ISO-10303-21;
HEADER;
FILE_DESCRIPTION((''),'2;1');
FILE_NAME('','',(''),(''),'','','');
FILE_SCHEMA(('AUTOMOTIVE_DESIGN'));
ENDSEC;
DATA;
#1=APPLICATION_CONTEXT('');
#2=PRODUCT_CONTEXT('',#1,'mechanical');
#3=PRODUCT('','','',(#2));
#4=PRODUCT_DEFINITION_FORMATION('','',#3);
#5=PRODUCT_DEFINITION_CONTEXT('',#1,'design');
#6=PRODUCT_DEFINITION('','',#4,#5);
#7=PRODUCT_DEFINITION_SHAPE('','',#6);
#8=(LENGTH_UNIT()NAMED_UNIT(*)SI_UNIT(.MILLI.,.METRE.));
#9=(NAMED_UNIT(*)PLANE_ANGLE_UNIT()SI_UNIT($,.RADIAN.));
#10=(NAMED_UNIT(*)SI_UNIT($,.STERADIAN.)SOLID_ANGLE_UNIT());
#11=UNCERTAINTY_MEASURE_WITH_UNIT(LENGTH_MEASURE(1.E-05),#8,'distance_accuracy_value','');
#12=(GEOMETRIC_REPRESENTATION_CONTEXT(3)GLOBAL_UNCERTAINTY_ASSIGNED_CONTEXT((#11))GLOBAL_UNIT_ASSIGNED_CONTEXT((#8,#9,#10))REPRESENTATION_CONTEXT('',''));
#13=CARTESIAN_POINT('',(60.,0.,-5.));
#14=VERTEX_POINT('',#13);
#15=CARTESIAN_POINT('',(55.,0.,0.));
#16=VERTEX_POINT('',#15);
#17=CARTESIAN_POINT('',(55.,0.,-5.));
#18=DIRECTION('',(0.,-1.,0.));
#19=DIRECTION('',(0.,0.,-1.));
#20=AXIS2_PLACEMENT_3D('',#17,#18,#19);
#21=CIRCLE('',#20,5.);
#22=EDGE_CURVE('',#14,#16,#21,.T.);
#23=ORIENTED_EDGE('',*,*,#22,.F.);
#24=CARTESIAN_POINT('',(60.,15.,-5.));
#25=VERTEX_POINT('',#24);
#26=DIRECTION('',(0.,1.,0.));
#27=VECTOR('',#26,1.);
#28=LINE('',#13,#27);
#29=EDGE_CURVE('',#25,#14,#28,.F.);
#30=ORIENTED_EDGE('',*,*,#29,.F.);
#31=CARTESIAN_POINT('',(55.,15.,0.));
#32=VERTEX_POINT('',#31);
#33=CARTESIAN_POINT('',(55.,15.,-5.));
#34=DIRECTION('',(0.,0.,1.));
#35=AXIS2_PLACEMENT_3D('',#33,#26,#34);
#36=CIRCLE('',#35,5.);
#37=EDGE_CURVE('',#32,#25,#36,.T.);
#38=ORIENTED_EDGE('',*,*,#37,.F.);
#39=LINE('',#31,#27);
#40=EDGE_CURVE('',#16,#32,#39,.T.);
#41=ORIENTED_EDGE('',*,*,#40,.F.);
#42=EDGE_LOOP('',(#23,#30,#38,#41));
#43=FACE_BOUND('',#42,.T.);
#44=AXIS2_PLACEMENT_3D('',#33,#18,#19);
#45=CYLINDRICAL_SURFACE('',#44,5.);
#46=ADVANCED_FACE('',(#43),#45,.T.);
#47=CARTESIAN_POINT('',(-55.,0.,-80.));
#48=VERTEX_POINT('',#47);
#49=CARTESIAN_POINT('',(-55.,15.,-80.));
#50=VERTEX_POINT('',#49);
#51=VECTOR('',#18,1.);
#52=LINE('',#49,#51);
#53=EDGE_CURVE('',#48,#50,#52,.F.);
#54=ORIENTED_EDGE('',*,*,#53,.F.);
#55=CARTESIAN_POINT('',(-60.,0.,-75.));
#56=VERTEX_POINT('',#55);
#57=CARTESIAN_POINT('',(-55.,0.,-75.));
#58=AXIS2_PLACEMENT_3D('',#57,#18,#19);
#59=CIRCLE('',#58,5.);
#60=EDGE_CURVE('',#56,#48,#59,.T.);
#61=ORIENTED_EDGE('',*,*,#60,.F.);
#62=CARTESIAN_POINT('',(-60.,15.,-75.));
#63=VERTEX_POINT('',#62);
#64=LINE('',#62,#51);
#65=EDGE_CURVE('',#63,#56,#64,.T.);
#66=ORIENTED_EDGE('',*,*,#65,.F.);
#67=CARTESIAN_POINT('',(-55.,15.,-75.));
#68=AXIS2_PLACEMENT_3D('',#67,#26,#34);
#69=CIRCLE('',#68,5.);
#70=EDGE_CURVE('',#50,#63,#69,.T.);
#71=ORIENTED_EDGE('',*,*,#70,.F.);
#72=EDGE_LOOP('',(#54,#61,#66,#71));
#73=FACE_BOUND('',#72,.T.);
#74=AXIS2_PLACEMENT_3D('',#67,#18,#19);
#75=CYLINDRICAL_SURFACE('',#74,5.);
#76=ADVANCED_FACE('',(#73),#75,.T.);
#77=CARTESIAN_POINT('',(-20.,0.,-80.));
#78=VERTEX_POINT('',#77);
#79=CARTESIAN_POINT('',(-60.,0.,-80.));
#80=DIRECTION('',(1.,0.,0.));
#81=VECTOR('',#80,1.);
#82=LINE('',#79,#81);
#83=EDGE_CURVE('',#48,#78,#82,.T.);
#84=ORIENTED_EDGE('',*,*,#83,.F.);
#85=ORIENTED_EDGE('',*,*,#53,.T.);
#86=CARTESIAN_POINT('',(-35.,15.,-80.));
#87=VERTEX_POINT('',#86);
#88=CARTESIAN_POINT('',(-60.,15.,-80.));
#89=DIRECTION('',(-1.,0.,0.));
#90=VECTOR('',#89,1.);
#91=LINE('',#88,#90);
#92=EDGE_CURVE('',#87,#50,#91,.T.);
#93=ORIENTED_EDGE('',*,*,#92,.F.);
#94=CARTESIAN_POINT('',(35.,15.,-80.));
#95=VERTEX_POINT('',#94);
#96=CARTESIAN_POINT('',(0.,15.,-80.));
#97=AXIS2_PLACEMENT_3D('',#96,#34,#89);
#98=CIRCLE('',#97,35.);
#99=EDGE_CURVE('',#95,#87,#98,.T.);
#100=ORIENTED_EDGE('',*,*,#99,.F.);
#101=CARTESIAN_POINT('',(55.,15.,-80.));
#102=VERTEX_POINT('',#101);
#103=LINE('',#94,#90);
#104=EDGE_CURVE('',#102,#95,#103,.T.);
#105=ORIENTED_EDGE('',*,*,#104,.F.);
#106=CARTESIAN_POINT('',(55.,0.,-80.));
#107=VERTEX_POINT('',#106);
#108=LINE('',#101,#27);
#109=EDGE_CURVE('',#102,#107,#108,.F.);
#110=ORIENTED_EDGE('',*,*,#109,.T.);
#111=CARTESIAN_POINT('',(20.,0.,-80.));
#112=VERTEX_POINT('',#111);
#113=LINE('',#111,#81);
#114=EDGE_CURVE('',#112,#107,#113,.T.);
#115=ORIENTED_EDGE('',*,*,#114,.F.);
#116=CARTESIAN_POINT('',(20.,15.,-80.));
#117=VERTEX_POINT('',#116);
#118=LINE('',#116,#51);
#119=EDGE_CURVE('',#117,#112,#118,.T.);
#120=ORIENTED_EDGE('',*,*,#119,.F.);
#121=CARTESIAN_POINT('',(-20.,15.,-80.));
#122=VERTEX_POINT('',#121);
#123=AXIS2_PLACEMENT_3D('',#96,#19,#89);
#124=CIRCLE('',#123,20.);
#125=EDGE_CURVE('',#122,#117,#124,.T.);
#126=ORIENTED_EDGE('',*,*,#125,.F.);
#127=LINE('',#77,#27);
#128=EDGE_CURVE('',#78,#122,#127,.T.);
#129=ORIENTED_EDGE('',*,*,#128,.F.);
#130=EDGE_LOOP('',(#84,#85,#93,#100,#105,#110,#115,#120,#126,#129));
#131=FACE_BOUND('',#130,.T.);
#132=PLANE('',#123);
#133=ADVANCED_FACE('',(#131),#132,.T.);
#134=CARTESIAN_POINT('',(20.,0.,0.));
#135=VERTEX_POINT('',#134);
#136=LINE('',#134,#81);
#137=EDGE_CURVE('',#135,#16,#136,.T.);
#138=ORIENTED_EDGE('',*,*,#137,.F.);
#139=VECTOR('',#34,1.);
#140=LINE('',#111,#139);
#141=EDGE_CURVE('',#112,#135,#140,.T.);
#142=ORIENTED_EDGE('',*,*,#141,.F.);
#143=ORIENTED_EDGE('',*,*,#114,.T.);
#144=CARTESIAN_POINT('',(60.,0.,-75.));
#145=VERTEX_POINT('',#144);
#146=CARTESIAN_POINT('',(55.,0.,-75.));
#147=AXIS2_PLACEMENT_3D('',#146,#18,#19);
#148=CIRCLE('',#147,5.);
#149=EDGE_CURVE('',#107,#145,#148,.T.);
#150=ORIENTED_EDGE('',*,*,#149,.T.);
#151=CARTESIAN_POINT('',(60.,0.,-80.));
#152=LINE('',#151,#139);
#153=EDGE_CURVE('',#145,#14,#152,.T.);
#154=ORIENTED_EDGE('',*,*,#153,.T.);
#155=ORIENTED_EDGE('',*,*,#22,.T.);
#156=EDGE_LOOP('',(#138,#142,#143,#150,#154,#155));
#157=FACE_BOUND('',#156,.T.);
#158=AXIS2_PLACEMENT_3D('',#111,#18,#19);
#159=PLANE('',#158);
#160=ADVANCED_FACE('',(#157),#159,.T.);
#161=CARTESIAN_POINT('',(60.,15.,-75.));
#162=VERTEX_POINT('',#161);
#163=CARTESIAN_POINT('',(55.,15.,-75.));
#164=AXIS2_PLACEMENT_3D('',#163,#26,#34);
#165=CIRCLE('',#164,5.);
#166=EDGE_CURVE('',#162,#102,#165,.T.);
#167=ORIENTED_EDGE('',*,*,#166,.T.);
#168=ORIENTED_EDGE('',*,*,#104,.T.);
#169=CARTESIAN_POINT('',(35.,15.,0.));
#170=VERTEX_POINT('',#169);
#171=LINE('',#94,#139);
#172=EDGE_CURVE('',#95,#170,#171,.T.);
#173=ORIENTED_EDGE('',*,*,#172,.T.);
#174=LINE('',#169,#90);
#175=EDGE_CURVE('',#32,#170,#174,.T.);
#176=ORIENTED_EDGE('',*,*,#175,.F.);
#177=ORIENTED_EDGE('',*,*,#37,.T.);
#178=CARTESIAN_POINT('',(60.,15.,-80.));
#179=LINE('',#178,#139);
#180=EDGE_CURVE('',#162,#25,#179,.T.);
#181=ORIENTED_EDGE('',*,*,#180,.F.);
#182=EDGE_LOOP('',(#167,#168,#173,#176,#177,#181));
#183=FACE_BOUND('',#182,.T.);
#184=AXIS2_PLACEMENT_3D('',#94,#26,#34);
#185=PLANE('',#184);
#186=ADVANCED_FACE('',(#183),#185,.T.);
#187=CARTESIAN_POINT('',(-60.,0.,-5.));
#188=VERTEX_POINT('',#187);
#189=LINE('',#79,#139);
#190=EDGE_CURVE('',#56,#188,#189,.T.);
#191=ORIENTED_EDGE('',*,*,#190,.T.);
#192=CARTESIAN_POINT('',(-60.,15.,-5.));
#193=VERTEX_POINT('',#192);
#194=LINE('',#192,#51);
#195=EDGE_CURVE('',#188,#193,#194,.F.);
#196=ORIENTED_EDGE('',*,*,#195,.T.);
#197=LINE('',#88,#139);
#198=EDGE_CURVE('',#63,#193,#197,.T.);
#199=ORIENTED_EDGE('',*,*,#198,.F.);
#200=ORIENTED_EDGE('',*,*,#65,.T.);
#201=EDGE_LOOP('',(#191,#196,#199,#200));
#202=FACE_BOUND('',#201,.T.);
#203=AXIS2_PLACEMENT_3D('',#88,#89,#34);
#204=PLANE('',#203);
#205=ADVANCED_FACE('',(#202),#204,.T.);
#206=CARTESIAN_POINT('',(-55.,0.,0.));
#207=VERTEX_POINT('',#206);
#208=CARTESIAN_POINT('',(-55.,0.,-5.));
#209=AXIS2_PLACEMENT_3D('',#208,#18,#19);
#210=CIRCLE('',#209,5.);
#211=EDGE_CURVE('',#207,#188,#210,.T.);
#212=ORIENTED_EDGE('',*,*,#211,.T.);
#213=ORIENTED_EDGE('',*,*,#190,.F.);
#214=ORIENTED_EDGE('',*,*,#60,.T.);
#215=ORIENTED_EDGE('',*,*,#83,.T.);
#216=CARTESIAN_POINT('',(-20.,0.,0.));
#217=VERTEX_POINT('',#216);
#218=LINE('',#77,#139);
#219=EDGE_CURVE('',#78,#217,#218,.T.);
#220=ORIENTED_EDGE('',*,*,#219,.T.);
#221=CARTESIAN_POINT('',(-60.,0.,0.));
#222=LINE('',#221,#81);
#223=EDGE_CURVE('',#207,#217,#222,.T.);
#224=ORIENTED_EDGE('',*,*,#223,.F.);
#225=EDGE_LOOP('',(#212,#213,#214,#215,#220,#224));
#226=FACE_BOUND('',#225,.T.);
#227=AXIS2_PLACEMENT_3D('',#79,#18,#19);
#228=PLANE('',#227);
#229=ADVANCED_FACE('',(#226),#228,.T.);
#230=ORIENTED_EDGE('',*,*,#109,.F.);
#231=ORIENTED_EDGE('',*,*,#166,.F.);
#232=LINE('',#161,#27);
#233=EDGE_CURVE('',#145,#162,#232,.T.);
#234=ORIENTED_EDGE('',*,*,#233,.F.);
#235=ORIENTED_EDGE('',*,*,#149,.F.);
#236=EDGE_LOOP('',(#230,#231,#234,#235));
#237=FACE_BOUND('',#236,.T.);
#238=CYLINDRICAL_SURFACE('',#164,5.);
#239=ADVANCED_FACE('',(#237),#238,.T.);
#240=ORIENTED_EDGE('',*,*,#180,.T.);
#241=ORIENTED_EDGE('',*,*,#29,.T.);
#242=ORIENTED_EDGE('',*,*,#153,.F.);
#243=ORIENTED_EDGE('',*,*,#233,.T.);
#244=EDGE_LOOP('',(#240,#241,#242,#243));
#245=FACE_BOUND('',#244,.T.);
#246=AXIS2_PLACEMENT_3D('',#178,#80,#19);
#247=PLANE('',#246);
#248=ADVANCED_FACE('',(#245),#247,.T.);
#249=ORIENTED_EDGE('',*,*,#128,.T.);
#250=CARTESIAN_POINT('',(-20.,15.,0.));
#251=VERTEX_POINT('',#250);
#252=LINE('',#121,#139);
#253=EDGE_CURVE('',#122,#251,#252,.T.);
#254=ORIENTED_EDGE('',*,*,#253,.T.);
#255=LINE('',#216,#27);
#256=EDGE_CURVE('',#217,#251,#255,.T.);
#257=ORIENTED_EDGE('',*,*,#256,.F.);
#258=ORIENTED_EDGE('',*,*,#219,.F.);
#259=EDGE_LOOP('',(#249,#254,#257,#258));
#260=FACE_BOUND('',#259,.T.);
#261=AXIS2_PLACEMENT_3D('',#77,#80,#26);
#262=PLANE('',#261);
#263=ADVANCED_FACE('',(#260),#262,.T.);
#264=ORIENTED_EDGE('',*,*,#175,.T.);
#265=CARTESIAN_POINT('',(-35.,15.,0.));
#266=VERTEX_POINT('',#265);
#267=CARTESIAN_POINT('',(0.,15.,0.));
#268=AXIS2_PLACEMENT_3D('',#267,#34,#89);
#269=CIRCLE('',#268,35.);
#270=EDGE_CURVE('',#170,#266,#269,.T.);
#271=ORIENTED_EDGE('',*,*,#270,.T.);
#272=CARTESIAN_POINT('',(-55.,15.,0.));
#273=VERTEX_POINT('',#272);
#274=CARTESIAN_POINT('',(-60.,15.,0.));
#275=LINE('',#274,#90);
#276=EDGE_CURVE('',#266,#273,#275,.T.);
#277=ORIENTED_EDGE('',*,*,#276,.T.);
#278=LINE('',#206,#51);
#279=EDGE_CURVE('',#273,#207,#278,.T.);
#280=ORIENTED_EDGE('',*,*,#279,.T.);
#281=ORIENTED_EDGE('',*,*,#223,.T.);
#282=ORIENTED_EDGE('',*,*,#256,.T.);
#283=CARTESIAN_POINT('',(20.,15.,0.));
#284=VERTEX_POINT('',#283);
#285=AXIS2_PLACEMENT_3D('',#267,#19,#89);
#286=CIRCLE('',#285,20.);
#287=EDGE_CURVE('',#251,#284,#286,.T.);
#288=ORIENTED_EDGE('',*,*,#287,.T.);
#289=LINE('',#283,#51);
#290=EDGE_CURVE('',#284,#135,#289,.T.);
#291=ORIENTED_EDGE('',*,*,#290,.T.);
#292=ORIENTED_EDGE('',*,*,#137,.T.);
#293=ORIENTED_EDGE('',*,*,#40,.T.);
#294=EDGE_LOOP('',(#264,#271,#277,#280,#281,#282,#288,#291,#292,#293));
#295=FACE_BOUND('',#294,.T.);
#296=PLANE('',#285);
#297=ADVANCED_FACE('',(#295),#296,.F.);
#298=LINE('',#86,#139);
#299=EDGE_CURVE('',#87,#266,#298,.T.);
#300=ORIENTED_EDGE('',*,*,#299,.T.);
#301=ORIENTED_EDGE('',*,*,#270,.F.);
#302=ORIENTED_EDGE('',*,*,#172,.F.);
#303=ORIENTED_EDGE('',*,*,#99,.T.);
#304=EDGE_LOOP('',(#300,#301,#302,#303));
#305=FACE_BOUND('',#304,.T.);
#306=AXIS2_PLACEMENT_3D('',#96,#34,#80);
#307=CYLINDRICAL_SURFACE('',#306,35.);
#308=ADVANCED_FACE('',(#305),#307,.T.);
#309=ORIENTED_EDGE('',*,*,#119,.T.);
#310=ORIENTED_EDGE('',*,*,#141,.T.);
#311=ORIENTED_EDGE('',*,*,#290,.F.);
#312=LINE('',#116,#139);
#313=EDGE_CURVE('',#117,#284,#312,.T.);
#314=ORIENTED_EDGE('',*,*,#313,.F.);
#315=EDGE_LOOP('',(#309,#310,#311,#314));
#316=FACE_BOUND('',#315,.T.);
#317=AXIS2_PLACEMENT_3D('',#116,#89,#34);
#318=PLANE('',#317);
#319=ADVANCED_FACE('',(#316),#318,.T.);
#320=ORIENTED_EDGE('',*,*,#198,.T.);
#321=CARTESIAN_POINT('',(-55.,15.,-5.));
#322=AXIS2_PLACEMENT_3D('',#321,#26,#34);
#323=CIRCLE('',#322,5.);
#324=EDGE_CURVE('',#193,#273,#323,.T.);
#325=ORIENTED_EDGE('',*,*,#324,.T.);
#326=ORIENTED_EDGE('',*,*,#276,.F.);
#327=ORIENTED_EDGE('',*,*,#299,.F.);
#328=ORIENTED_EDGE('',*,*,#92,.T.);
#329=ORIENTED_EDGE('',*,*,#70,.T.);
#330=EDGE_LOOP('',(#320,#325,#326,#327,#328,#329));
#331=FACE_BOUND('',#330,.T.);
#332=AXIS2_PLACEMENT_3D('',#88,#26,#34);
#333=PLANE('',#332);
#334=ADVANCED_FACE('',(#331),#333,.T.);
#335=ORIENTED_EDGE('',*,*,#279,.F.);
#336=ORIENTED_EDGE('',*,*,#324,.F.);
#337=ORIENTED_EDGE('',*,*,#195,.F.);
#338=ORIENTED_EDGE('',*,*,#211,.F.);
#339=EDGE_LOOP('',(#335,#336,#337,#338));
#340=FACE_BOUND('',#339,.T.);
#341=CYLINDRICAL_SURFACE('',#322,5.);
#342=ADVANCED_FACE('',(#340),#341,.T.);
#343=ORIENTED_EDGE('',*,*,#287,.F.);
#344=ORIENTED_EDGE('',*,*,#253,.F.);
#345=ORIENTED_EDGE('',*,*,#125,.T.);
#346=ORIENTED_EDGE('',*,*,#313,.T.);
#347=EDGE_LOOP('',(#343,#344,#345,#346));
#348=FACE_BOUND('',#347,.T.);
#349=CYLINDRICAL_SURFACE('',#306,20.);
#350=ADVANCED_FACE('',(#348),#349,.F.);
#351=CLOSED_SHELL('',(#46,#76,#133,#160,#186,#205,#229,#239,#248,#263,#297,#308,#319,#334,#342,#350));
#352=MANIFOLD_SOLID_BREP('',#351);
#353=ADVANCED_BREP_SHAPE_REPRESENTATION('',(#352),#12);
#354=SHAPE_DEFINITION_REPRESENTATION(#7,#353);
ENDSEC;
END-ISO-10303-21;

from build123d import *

# Parameters (mm, degrees)
EXTRUDE_1_DEPTH = 80
FILLET_1_R      = 5


with BuildPart() as part:
    # Эскиз1 → Бобышка-Вытянуть1 (new body)
    with BuildSketch(Plane.XY):
        with BuildLine():
            Line((-60, 0), (-20, 0))
            Line((-20, 0), (-20, 15))
            ThreePointArc((-20, 15), (0, 35), (20, 15))
            Line((20, 15), (20, 0))
            Line((20, 0), (60, 0))
            Line((60, 0), (60, 15))
            Line((60, 15), (35, 15))
            ThreePointArc((35, 15), (0, 50), (-35, 15))
            Line((-35, 15), (-60, 15))
            Line((-60, 15), (-60, 0))
        make_face()
    extrude(amount=-EXTRUDE_1_DEPTH)

    # Скругление1
    fillet_1_edges = [part.edges().sort_by_distance(p)[0] for p in [
        (60, 7.5, 0),
        (-60, 7.5, 0),
        (60, 7.5, -80),
        (-60, 7.5, -80),
    ]]
    fillet(fillet_1_edges, radius=FILLET_1_R)


solid = part.part
